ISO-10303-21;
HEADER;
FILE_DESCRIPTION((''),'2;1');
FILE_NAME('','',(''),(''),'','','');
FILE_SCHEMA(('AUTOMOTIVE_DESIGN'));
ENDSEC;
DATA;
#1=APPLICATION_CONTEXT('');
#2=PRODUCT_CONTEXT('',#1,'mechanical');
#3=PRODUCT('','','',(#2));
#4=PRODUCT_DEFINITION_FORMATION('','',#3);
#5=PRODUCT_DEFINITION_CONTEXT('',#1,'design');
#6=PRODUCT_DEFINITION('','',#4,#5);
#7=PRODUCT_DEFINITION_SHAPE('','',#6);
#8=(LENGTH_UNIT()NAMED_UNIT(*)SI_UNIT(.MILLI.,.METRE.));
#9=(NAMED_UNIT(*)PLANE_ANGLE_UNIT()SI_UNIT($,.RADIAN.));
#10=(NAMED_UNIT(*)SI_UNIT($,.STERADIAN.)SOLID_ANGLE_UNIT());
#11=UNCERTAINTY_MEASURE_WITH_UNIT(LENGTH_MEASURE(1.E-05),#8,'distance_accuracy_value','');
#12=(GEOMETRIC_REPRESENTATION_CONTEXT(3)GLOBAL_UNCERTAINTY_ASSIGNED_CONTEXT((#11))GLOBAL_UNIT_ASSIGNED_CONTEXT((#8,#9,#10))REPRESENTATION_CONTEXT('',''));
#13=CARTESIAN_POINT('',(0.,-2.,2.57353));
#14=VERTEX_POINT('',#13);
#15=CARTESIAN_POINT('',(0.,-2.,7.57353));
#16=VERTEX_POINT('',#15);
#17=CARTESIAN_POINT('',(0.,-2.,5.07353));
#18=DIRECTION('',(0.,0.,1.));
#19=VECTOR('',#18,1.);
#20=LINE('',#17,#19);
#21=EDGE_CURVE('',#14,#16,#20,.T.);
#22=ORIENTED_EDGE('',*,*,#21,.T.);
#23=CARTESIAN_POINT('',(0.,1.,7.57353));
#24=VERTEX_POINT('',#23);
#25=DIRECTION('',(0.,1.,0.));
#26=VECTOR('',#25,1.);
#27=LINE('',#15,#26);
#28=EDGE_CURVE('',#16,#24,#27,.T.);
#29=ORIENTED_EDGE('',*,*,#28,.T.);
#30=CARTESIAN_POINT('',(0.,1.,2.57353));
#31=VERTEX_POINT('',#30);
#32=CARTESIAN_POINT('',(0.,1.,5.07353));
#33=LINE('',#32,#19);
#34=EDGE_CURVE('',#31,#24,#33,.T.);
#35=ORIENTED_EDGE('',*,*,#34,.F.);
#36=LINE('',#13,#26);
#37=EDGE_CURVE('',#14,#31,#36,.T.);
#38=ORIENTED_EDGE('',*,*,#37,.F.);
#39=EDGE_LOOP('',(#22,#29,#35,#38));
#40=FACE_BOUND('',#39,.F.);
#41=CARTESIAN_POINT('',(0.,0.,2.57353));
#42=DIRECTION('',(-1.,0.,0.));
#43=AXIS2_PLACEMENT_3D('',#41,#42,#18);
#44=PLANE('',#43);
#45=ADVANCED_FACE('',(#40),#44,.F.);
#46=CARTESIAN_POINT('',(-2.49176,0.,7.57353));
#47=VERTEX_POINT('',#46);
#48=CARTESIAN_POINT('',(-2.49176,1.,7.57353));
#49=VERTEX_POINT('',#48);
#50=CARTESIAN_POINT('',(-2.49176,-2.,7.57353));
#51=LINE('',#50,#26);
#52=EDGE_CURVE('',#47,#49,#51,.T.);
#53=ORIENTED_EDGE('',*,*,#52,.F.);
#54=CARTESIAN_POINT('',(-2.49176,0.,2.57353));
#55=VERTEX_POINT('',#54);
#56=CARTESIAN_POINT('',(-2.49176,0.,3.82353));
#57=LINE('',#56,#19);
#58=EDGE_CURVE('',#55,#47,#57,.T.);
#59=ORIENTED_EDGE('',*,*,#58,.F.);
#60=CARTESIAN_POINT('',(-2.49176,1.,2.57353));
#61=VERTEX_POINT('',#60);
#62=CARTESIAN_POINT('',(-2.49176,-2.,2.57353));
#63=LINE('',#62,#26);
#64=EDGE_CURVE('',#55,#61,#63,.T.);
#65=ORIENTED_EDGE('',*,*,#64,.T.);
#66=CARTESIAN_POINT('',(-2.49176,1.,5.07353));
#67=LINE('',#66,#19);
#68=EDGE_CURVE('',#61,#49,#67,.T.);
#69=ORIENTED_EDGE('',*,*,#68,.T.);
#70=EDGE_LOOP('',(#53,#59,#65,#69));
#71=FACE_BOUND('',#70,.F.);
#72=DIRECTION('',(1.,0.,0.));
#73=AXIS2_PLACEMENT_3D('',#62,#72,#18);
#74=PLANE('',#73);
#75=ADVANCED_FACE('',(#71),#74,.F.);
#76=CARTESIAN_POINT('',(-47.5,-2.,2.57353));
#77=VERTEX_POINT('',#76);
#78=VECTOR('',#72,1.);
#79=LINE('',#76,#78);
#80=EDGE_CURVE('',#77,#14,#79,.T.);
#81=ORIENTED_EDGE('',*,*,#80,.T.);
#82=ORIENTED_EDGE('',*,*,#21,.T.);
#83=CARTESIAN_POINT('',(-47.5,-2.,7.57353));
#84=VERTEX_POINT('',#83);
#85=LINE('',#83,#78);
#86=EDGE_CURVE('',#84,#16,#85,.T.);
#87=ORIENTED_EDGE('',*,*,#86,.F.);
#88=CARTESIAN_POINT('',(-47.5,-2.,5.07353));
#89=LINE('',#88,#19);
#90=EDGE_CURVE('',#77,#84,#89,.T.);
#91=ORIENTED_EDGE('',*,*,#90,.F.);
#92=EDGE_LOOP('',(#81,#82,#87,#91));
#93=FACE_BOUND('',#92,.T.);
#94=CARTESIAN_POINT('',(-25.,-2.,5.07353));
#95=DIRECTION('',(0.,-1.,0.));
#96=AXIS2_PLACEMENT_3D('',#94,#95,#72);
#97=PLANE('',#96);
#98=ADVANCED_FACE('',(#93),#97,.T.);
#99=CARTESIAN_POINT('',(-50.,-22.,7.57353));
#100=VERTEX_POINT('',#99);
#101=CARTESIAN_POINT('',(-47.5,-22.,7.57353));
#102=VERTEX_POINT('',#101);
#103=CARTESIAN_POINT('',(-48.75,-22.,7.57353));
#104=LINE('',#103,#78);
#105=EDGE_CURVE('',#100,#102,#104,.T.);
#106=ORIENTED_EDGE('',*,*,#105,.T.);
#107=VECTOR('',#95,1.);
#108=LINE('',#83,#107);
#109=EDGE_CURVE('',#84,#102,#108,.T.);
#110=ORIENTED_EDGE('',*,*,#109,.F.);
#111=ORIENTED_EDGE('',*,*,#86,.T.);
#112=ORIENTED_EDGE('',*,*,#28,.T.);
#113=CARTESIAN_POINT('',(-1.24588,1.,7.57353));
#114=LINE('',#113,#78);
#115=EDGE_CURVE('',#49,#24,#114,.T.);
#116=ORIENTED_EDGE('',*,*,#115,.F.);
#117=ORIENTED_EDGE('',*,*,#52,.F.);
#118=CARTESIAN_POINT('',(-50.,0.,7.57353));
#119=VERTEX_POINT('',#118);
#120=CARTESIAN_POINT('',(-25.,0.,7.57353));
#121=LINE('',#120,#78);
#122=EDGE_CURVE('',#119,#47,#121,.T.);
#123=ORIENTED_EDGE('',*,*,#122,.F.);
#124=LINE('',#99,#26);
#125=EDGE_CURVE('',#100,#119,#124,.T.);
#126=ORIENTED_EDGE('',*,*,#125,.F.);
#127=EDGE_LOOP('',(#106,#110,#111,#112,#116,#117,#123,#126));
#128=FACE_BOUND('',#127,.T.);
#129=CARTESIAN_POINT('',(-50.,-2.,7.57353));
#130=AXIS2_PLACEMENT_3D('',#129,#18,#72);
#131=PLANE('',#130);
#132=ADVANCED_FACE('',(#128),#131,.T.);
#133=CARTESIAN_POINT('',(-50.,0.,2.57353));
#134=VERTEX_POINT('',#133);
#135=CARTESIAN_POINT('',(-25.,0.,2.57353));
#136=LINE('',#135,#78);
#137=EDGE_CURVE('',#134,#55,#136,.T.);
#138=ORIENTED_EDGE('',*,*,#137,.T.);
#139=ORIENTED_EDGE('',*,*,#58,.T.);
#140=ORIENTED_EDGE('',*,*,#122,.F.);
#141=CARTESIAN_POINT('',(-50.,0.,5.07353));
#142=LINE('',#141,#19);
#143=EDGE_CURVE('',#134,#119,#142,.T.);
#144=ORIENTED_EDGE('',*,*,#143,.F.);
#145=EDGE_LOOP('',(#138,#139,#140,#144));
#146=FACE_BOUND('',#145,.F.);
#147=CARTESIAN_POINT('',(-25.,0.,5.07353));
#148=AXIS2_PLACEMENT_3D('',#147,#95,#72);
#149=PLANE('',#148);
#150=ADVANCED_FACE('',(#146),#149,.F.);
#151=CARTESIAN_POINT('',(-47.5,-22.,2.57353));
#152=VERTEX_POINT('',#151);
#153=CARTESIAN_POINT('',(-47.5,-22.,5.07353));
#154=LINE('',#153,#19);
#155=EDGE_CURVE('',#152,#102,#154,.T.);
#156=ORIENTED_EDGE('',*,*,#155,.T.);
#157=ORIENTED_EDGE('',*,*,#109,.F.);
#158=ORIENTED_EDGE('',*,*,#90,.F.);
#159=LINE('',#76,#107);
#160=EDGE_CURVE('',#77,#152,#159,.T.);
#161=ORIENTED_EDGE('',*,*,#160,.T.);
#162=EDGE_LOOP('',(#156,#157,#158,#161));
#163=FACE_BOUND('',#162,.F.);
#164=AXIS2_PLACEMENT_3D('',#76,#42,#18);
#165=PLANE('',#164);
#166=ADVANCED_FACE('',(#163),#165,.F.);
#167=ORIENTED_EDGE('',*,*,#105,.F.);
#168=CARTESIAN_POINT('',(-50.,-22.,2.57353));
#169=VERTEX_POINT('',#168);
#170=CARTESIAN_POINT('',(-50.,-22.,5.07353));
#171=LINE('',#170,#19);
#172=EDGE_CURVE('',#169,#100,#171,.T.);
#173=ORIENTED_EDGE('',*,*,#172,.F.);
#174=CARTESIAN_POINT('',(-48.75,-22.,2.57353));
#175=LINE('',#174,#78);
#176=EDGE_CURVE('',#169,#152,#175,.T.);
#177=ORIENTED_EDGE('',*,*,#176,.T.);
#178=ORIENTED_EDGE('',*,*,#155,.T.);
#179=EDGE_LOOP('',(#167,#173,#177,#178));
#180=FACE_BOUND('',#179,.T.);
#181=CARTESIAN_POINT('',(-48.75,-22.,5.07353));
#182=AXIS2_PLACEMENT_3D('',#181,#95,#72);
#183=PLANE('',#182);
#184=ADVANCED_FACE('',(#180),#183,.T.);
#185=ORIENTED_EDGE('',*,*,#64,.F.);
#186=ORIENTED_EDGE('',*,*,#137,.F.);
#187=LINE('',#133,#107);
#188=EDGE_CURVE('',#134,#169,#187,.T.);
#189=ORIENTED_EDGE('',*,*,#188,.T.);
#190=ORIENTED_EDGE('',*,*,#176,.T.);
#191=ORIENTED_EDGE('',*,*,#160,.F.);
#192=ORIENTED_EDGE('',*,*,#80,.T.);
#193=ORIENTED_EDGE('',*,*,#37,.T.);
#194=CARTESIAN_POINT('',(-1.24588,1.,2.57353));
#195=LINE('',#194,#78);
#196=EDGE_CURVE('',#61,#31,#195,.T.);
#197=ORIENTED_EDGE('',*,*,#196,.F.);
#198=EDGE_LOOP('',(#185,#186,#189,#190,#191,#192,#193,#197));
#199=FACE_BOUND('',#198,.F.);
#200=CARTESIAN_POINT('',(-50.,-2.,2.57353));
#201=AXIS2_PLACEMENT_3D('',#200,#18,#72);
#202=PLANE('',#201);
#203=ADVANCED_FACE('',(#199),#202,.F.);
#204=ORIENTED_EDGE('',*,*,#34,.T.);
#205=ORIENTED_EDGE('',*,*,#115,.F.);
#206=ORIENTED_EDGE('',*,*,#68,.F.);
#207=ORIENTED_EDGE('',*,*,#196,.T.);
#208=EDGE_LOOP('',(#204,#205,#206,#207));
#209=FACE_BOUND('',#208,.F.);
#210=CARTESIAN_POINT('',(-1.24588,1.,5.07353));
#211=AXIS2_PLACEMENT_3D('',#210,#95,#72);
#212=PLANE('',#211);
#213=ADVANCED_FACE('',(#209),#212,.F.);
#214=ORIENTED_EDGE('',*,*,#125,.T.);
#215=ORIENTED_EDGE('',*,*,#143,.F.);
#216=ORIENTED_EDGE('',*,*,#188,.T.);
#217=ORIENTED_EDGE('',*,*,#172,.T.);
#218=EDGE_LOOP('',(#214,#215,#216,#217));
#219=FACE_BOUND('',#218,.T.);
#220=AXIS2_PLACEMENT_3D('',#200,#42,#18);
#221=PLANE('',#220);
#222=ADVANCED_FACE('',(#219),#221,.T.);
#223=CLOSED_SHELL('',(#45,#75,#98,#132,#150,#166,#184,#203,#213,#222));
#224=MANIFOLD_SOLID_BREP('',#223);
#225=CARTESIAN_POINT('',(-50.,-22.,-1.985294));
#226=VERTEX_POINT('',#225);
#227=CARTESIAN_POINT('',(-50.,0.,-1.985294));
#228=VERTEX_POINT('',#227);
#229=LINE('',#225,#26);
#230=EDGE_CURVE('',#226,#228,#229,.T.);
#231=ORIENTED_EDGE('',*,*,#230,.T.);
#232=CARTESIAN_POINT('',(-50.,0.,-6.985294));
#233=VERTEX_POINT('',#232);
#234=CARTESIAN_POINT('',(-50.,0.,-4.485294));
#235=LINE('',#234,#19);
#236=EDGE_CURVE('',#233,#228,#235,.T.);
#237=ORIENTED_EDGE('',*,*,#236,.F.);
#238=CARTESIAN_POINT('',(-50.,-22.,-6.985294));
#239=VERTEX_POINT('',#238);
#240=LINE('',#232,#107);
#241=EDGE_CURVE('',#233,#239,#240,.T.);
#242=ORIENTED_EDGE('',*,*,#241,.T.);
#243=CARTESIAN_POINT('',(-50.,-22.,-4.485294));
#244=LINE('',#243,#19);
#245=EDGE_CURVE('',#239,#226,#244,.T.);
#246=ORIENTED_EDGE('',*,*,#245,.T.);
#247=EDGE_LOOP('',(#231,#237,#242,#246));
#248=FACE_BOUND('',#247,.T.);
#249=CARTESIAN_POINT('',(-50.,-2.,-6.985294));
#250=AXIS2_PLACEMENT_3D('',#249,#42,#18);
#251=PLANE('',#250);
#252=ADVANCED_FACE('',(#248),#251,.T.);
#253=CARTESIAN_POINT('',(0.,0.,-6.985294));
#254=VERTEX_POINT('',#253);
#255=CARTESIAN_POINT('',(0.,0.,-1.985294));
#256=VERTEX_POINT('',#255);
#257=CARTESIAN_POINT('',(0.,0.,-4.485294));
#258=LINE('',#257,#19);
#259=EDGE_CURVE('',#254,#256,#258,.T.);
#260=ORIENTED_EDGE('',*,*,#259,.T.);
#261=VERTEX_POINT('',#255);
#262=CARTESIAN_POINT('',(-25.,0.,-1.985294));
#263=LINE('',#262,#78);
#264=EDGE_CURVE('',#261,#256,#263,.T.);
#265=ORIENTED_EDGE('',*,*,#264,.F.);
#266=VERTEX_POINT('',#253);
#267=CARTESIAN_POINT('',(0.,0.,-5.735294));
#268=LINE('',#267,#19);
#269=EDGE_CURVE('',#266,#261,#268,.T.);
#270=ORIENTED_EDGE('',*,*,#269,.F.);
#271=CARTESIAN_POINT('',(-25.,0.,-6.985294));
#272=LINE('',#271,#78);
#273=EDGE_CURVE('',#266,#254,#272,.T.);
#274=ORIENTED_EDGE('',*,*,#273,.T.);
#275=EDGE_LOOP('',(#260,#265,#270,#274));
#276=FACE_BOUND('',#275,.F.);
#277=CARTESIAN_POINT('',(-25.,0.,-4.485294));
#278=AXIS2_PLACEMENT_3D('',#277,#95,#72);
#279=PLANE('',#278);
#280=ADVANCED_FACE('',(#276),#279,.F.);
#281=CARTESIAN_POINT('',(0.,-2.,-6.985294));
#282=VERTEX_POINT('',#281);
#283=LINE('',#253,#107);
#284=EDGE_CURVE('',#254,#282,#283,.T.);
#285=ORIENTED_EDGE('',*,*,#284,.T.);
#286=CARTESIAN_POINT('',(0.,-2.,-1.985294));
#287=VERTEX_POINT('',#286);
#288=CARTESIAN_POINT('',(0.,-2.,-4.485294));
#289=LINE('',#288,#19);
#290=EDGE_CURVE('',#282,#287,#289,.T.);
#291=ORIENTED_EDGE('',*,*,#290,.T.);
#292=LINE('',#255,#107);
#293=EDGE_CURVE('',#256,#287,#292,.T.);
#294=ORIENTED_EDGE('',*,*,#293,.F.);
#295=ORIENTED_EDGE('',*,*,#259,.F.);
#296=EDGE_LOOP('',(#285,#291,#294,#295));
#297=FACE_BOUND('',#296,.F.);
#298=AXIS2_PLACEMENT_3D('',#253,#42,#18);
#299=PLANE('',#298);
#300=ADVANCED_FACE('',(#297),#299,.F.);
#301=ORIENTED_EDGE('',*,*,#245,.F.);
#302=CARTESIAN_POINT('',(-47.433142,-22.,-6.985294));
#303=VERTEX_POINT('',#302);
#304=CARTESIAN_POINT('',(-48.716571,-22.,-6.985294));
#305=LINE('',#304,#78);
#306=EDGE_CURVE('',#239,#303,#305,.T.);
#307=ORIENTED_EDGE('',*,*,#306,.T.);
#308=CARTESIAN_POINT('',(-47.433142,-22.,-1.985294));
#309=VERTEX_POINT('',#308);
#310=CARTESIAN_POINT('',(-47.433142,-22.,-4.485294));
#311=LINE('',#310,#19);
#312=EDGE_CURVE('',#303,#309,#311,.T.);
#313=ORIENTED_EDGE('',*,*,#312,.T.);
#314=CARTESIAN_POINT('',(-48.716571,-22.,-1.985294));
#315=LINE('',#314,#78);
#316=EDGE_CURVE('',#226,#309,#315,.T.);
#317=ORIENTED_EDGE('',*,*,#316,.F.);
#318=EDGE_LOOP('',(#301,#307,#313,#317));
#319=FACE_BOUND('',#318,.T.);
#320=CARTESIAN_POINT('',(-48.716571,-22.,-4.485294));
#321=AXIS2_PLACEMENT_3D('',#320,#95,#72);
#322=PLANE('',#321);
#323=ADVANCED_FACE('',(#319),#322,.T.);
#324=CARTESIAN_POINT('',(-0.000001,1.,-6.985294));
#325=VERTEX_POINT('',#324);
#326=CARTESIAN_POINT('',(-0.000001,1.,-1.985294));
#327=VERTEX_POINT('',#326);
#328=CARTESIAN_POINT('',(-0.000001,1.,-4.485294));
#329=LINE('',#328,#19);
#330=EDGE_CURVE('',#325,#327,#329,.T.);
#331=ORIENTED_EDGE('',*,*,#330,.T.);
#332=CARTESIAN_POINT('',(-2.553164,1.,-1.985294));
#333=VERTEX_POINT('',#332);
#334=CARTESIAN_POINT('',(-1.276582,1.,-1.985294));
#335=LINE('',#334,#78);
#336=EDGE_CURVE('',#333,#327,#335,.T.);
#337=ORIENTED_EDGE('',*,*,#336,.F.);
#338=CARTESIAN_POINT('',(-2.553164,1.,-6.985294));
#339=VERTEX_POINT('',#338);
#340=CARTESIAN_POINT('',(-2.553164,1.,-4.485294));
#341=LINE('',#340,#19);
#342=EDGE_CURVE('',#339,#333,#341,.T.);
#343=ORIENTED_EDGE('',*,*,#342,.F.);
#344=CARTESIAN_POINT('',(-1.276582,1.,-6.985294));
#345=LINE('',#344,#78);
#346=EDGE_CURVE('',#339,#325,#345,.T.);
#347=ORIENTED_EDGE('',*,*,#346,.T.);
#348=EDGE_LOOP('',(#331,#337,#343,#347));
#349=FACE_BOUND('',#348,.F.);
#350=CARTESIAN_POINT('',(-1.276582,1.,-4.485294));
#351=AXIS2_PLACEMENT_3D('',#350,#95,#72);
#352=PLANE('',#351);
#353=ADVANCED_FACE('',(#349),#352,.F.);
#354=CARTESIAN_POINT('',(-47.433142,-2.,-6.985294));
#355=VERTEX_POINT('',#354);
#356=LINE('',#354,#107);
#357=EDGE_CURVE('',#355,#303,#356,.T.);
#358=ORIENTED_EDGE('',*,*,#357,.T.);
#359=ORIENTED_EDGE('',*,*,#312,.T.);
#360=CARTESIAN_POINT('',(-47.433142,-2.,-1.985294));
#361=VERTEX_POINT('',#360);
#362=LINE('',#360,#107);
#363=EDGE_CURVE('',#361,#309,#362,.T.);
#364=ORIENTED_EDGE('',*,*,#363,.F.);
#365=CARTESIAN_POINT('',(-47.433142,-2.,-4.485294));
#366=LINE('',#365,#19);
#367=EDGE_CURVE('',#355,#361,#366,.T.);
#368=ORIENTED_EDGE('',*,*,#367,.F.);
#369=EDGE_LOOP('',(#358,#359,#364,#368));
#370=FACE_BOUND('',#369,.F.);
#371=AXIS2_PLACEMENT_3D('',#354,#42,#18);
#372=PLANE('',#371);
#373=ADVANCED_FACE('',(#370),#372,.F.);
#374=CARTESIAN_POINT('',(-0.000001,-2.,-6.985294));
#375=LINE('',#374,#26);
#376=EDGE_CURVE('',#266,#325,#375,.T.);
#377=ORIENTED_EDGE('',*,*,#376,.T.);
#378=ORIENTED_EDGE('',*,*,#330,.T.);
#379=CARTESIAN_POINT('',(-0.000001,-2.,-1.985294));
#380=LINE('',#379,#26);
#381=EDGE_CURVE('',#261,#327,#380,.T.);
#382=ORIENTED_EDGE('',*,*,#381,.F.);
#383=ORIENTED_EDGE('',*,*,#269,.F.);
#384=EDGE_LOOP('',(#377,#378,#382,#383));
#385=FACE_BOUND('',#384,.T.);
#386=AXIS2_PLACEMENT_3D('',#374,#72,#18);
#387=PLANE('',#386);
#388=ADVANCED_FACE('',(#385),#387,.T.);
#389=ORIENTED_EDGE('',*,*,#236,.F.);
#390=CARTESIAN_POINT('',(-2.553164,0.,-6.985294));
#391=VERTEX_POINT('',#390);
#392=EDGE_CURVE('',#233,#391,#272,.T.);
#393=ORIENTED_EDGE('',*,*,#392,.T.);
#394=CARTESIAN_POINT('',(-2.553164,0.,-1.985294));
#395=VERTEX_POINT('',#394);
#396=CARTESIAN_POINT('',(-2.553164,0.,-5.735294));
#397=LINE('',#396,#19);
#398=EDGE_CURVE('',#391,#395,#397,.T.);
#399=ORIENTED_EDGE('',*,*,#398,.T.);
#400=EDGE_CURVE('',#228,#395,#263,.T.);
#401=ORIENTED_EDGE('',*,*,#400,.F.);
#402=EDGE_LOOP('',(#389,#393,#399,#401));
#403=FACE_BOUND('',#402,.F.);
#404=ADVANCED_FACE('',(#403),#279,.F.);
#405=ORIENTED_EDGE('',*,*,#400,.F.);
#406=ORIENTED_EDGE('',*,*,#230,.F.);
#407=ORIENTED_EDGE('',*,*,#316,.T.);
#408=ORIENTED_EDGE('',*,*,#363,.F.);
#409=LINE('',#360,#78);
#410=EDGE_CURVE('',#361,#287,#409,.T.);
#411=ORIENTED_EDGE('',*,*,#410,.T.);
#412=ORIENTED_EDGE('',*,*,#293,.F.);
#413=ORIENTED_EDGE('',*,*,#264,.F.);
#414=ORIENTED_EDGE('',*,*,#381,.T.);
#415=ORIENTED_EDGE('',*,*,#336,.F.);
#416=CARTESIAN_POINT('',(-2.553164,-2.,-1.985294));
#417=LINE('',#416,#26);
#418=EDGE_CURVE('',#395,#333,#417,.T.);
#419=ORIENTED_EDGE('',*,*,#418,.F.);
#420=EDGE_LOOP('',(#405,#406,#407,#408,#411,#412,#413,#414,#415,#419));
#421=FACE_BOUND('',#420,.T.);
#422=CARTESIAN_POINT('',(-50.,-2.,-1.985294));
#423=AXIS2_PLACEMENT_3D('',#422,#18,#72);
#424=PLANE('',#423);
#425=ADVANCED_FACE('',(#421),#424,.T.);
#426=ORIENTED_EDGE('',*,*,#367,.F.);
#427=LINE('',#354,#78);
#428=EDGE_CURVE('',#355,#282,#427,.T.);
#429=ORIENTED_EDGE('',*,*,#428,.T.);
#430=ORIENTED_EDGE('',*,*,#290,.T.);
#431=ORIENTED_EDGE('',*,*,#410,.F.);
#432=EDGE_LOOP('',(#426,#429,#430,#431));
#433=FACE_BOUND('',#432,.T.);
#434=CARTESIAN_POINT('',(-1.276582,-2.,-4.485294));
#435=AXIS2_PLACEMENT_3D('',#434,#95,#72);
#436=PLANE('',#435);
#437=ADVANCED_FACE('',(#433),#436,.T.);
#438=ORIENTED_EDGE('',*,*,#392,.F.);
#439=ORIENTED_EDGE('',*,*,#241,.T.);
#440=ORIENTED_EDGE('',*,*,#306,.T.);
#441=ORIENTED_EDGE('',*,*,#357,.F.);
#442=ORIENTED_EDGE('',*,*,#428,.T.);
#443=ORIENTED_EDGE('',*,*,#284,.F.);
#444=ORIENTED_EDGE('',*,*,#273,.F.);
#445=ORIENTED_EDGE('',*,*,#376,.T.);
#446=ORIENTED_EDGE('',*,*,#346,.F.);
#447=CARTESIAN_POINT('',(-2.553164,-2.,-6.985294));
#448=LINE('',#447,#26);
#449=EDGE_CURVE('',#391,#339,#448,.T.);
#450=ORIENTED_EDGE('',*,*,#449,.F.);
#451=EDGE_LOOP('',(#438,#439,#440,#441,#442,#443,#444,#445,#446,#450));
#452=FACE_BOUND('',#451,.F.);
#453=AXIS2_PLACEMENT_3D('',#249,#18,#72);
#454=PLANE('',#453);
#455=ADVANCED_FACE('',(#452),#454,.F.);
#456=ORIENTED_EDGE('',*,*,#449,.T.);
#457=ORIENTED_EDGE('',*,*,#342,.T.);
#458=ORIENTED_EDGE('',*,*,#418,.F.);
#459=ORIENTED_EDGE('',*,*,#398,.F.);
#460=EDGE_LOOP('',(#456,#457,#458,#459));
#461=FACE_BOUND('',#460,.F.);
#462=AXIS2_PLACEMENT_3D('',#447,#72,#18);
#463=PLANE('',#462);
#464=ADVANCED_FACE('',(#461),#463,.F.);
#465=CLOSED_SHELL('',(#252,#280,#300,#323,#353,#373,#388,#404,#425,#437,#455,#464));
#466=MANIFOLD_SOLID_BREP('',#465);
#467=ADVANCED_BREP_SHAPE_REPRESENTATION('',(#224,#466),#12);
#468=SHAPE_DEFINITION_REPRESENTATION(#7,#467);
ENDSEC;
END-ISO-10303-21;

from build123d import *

# Parameters (mm, degrees)
F0_W     = 50
F0_H     = 5
F1_DEPTH = 2
F2_W     = 2.5
F2_H     = 5
F3_DEPTH = 20
F4_W     = 2.566858
F4_H     = 5
F5_DEPTH = 20
F6_W     = 2.49176
F6_H     = 5
F7_DEPTH = 3
F8_W     = 2.553163
F8_H     = 5
F9_DEPTH = 3


with BuildPart() as f1:
    # F0 (on Front) → F1 (new body)
    with BuildSketch(Plane.XZ):
        with Locations((-25, 5.07353)):
            Rectangle(F0_W, F0_H)
        with Locations((-25, -4.485294)):
            Rectangle(F0_W, F0_H)
    extrude(amount=F1_DEPTH)

    # F2 (on face) → F3 (join)
    with BuildSketch(Plane.XZ.offset(2)):
        with Locations((-48.75, 5.07353)):
            Rectangle(F2_W, F2_H)
    extrude(amount=F3_DEPTH)

    # F4 (on face) → F5 (join)
    with BuildSketch(Plane.XZ.offset(2)):
        with Locations((-48.716571, -4.485294)):
            Rectangle(F4_W, F4_H)
    extrude(amount=F5_DEPTH)

    # F6 (on face) → F7 (join)
    with BuildSketch(Plane.XZ.offset(2)):
        with Locations((-1.24588, 5.07353)):
            Rectangle(F6_W, F6_H)
    extrude(amount=-F7_DEPTH)

    # F8 (on face) → F9 (join)
    with BuildSketch(Plane.XZ.offset(2)):
        with Locations((-1.276582, -4.485294)):
            Rectangle(F8_W, F8_H)
    extrude(amount=-F9_DEPTH)


solid = f1.part
